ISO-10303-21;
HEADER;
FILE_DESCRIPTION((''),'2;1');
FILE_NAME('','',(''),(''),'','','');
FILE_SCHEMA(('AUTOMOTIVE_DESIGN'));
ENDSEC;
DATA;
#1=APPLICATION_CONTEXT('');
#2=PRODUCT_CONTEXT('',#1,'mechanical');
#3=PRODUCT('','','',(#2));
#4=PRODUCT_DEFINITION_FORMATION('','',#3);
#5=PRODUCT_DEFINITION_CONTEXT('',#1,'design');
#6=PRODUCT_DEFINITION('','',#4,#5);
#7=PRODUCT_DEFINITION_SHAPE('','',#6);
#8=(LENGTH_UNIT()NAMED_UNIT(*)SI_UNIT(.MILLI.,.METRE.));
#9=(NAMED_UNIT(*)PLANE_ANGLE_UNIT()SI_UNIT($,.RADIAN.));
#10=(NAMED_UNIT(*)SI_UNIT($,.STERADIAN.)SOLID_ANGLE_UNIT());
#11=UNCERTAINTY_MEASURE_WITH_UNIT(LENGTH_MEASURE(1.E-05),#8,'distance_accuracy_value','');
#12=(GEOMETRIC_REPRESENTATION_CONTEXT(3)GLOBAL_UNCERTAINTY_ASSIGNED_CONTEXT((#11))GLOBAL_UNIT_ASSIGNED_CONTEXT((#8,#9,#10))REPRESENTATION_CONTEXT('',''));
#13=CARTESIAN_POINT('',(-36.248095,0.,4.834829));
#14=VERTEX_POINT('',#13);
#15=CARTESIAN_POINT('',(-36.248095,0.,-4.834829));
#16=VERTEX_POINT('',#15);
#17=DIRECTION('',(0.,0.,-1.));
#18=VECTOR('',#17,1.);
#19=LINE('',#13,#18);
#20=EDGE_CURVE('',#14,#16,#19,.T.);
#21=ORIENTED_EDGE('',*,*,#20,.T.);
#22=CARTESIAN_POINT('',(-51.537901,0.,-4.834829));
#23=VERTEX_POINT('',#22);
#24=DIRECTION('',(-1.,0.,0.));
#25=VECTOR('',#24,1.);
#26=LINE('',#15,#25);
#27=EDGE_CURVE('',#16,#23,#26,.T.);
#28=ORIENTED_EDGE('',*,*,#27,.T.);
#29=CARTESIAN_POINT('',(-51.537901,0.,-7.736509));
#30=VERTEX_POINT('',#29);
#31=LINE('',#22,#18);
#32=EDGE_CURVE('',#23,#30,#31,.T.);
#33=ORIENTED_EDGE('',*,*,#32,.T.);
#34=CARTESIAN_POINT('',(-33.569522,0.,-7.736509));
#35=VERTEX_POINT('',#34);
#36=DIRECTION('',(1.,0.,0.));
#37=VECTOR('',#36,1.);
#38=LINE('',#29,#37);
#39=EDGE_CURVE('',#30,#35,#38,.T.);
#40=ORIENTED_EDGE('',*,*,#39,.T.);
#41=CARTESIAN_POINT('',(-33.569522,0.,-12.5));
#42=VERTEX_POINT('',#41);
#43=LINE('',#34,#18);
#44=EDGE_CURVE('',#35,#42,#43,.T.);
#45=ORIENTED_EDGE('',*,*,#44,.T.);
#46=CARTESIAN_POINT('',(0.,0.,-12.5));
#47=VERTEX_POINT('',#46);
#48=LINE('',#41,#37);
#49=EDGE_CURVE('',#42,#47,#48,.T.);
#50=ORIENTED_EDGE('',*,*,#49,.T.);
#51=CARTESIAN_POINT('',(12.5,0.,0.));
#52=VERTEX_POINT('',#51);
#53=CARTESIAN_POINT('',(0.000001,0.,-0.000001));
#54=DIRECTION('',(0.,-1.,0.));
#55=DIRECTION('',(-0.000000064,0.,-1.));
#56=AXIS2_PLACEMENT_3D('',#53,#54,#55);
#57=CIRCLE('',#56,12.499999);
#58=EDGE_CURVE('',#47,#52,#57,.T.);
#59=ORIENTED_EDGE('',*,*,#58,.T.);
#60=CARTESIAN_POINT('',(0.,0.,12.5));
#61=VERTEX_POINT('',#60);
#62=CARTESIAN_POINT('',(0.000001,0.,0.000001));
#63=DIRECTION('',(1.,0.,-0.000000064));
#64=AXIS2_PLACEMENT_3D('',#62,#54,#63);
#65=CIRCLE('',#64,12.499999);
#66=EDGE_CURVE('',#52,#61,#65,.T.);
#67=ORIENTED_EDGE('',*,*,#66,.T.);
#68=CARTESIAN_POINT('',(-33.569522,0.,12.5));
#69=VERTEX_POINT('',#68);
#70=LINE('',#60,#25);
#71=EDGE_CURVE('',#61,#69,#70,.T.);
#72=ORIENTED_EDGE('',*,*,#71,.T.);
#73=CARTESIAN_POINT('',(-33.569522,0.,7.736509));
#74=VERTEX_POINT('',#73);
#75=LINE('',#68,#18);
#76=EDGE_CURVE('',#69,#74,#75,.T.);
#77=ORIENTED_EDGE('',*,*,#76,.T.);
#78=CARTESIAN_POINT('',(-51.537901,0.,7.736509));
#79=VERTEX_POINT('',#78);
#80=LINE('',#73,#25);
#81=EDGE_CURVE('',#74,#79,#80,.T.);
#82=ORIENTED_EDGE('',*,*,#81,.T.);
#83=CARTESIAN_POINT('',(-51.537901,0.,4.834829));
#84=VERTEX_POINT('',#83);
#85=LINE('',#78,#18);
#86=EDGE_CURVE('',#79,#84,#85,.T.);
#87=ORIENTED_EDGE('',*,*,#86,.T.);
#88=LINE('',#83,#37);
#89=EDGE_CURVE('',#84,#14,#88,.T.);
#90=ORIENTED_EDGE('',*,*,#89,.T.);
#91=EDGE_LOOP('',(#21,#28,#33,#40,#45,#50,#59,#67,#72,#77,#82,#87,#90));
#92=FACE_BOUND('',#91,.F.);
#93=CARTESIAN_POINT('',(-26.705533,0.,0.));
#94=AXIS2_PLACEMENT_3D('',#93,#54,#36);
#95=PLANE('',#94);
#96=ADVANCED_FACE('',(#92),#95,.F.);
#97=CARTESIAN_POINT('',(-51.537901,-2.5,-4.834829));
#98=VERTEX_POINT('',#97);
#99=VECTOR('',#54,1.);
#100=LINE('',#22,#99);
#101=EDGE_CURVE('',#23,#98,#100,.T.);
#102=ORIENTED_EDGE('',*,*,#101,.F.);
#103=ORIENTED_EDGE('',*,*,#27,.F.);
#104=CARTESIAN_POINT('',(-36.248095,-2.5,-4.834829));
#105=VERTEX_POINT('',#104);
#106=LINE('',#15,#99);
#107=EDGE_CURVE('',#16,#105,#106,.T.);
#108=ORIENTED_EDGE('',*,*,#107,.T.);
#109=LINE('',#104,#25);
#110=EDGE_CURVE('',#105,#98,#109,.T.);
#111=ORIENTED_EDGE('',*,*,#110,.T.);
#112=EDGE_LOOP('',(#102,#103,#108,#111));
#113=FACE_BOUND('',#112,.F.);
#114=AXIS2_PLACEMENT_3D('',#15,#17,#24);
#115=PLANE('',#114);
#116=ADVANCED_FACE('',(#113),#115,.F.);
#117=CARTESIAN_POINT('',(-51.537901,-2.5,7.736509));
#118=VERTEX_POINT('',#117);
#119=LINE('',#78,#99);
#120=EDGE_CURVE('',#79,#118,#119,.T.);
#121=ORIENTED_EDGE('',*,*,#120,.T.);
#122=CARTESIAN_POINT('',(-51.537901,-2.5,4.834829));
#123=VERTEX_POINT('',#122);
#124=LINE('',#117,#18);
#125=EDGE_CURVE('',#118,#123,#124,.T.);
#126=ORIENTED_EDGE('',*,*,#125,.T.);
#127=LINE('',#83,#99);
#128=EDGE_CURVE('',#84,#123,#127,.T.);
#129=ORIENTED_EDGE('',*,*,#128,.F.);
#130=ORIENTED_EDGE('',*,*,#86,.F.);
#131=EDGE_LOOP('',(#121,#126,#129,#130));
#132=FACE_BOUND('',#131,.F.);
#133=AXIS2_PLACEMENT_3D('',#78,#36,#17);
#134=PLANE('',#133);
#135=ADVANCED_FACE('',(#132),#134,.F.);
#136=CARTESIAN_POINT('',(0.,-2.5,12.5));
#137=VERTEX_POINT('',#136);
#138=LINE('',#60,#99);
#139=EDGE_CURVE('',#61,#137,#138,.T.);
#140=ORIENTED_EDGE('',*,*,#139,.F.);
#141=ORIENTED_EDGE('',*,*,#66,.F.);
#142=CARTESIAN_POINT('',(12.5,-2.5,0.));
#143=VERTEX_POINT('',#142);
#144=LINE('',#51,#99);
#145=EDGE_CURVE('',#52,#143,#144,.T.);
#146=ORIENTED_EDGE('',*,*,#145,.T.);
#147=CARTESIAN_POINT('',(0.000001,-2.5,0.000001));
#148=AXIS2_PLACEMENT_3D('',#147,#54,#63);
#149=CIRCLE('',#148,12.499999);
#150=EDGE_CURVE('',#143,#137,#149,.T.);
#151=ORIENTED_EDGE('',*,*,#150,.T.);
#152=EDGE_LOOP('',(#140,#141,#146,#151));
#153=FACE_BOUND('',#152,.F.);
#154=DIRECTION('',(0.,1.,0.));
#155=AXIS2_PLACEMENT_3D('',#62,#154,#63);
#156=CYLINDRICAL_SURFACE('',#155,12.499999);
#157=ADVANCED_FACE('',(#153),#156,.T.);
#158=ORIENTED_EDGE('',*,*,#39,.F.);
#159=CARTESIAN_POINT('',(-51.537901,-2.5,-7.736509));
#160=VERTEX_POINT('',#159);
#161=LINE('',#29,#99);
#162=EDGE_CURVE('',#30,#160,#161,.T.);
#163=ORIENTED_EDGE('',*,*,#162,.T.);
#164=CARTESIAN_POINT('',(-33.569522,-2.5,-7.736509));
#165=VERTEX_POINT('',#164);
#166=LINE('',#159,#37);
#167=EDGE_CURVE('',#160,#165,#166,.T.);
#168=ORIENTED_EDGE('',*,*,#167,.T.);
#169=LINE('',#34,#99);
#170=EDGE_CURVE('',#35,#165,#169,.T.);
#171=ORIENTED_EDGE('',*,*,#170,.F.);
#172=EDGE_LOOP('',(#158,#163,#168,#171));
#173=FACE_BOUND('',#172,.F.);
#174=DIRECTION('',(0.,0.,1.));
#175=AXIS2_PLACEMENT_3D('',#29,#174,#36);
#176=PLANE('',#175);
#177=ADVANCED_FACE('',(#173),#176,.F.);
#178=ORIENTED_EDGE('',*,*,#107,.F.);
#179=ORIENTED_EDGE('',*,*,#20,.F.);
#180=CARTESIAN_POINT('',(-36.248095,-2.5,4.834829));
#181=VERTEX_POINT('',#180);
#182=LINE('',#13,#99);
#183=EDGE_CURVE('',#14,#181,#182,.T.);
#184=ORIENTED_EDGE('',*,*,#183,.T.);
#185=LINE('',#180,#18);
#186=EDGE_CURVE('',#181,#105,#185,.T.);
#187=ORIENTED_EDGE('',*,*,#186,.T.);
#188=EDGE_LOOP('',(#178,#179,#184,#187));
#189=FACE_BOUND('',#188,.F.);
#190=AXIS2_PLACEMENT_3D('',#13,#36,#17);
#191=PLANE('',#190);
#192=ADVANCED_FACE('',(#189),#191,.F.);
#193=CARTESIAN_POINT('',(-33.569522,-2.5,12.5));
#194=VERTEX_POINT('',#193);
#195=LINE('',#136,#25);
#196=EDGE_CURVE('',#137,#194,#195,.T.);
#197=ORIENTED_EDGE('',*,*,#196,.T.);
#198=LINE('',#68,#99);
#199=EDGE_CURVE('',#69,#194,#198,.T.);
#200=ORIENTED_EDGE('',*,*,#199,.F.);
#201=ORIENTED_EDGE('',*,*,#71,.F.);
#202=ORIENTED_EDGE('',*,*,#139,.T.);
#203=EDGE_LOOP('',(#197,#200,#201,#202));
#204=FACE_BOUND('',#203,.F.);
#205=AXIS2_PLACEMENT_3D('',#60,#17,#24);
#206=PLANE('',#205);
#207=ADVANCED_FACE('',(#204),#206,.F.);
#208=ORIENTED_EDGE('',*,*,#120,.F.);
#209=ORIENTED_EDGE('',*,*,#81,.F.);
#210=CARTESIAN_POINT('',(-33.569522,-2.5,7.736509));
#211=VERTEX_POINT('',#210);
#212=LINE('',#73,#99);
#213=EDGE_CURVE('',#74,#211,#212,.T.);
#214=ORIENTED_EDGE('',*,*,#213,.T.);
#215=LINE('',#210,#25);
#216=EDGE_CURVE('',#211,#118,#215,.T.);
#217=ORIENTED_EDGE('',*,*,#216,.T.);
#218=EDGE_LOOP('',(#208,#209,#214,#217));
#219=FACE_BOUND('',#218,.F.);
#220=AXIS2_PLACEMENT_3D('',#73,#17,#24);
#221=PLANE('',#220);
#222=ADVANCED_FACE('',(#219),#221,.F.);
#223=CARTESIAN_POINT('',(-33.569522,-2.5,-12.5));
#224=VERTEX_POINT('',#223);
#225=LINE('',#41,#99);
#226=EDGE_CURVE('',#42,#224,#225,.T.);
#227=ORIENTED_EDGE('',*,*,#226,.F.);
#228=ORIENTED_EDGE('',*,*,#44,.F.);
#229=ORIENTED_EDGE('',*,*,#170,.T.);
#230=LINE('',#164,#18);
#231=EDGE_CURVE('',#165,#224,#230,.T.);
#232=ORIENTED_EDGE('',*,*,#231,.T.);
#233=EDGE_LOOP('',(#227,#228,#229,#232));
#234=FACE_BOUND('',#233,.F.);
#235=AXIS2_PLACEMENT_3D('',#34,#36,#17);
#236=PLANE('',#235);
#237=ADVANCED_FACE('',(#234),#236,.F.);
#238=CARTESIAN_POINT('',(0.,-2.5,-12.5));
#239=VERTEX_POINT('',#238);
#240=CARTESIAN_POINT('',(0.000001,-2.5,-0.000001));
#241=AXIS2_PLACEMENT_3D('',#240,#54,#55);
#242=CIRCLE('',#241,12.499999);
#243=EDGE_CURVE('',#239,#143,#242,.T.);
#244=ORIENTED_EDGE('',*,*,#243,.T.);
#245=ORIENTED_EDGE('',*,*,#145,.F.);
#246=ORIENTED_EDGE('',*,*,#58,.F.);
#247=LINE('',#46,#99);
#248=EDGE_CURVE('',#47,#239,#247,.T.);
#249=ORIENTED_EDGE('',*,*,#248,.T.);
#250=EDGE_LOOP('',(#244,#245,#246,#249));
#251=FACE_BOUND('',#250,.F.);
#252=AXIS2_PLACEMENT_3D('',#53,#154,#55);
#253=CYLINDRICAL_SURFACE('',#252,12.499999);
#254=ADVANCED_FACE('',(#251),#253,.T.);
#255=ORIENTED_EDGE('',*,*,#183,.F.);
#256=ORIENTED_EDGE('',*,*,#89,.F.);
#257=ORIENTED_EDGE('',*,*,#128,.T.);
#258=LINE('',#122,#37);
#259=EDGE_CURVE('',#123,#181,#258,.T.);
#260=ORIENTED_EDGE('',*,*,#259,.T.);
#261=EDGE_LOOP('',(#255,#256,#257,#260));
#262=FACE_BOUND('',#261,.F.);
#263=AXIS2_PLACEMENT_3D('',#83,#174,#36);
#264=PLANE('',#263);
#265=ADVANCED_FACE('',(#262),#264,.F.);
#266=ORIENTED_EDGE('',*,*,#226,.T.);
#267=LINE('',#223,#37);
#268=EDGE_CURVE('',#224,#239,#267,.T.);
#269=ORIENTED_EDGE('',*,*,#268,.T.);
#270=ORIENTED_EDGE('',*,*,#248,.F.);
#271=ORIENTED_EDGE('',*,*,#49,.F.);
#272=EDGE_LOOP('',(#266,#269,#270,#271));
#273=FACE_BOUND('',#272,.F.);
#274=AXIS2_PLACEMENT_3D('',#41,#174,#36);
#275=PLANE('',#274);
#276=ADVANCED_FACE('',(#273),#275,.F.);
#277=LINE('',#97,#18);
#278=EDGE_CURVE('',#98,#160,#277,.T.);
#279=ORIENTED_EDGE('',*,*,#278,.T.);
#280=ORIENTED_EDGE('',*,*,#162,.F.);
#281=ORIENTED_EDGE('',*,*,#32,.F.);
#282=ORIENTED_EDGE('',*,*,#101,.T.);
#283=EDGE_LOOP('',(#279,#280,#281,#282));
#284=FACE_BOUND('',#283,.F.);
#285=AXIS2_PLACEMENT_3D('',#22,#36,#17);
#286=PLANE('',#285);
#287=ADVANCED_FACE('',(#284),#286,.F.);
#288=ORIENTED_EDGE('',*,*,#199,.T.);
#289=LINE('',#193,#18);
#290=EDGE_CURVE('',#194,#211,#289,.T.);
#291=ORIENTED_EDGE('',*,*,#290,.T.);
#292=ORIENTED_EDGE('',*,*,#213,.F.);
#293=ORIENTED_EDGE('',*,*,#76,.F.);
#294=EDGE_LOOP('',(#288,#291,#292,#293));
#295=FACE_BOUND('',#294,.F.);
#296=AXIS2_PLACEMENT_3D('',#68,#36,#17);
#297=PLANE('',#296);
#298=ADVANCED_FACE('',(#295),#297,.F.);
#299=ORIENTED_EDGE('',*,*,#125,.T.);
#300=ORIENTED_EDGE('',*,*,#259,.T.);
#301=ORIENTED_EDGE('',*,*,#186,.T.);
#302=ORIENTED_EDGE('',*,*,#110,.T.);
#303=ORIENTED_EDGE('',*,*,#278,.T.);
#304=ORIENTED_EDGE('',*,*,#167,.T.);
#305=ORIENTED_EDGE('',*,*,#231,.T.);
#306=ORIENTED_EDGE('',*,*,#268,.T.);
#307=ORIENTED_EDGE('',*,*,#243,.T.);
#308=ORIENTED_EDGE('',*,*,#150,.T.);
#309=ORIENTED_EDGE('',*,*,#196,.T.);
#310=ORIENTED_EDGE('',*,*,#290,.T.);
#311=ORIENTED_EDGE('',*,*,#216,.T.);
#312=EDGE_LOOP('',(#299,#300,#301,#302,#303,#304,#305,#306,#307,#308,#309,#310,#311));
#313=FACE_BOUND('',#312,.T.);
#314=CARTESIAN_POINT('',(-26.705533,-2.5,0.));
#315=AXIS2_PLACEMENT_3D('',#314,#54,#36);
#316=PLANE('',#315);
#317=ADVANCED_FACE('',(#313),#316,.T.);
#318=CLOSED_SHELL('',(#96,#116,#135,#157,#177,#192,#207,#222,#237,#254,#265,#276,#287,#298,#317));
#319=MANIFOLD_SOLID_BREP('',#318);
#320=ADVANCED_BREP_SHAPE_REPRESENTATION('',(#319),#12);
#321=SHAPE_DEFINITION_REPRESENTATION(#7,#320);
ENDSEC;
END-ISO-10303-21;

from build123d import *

# Parameters (mm, degrees)
F1_DEPTH = 2.5


with BuildPart() as f1:
    # F0 (on Front) → F1 (new body)
    with BuildSketch(Plane.XZ):
        with BuildLine():
            ThreePointArc((0, -12.5), (-12.5, 0), (0, 12.5))
            Line((0, 12.5), (-33.569522, 12.5))
            Line((-33.569522, 12.5), (-33.569522, 7.736509))
            Line((-33.569522, 7.736509), (-51.537901, 7.736509))
            Line((-51.537901, 7.736509), (-51.537901, 4.834829))
            Line((-51.537901, 4.834829), (-36.248095, 4.834829))
            Line((-36.248095, 4.834829), (-36.248095, 0))
            Line((-36.248095, 0), (-36.248095, -4.834829))
            Line((-36.248095, -4.834829), (-51.537901, -4.834829))
            Line((-51.537901, -4.834829), (-51.537901, -7.736509))
            Line((-51.537901, -7.736509), (-33.569522, -7.736509))
            Line((-33.569522, -7.736509), (-33.569522, -12.5))
            Line((-33.569522, -12.5), (0, -12.5))
        make_face()
        with BuildLine():
            ThreePointArc((0, -12.5), (8.838835, -8.838835), (12.5, 0))
            ThreePointArc((12.5, 0), (8.838835, 8.838835), (0, 12.5))
            ThreePointArc((0, 12.5), (-12.5, 0), (0, -12.5))
        make_face()
    extrude(amount=F1_DEPTH)


solid = f1.part
